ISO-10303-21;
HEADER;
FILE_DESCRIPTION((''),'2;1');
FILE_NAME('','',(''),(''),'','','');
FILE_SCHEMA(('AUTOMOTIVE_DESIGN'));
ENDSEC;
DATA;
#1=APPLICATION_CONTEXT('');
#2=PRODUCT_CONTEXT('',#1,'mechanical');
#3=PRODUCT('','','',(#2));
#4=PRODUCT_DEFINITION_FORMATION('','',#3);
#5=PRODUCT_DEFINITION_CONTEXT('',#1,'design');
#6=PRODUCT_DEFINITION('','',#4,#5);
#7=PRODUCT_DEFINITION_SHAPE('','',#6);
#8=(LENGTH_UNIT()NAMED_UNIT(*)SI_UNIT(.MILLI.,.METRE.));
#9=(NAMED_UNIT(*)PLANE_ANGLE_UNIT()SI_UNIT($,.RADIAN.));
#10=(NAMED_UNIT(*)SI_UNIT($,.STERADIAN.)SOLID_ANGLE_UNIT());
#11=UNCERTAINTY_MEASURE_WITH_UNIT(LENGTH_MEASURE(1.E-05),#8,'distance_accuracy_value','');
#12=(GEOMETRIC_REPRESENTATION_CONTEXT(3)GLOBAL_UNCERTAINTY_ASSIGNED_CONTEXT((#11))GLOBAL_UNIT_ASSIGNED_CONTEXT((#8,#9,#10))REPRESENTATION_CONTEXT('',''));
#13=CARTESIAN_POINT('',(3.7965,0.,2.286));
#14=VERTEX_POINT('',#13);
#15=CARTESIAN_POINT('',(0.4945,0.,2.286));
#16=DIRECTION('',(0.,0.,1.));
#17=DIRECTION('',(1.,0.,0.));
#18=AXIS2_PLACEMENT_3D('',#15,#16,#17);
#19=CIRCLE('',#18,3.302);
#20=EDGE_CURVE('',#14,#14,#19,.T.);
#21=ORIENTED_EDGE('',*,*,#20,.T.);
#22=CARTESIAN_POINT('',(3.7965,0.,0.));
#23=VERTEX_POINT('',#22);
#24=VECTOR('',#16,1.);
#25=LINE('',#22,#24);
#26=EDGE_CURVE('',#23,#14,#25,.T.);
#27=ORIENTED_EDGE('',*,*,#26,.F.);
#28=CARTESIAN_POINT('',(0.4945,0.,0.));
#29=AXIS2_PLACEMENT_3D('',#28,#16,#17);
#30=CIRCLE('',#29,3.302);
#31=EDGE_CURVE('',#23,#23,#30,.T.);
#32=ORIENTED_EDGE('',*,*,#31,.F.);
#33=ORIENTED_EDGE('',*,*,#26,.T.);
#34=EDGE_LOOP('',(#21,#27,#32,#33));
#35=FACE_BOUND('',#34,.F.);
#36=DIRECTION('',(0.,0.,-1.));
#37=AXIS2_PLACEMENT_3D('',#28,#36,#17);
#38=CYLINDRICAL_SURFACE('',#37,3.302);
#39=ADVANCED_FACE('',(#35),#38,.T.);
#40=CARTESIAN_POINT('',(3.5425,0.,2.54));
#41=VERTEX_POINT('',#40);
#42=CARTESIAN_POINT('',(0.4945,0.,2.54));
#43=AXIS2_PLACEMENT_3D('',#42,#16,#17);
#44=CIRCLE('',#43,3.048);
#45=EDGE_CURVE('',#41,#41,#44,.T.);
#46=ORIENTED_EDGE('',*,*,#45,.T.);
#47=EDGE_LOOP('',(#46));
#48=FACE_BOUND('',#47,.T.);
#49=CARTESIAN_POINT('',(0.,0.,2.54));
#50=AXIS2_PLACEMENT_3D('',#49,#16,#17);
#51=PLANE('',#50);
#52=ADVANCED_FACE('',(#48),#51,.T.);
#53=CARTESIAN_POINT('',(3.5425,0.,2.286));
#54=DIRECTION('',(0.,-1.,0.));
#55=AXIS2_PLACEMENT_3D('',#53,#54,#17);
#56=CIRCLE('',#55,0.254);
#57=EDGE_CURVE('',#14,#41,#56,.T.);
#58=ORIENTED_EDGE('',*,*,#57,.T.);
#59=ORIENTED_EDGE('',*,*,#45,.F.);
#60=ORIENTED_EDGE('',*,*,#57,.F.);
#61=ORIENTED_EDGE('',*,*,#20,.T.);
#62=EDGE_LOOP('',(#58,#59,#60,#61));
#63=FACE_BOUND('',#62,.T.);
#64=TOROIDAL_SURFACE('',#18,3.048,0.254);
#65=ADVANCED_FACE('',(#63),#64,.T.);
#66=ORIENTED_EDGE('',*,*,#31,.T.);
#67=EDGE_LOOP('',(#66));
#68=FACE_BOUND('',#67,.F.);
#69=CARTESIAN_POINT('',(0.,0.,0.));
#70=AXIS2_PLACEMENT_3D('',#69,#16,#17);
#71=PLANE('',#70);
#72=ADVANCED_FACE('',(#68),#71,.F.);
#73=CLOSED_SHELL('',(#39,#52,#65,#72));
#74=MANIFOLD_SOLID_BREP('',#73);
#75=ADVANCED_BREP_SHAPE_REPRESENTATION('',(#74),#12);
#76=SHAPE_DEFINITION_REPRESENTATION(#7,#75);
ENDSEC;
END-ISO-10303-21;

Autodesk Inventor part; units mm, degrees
ref_plane "YZ Plane" through (0, 0, 0) normal (1, 0, 0) x (0, 1, 0)
ref_plane "XZ Plane" through (0, 0, 0) normal (0, 1, 0) x (-1, 0, 0)
ref_plane "XY Plane" through (0, 0, 0) normal (0, 0, 1) x (1, 0, 0)
sketch "Sketch1" plane through (0, 0, 0) normal (0, 0, 1) x (1, 0, 0)
  circle A0 centre (0.4945, 0) radius 3.302
  point P0 (0, 0)
  dimension "d0" = 6.604
extrude "Extrusion1" add sketch "Sketch1" along normal blind 2.54
fillet "Fillet1" radius 0.254 1 edges at (-2.8075, 0, 2.54)
properties part number "Start Button"
